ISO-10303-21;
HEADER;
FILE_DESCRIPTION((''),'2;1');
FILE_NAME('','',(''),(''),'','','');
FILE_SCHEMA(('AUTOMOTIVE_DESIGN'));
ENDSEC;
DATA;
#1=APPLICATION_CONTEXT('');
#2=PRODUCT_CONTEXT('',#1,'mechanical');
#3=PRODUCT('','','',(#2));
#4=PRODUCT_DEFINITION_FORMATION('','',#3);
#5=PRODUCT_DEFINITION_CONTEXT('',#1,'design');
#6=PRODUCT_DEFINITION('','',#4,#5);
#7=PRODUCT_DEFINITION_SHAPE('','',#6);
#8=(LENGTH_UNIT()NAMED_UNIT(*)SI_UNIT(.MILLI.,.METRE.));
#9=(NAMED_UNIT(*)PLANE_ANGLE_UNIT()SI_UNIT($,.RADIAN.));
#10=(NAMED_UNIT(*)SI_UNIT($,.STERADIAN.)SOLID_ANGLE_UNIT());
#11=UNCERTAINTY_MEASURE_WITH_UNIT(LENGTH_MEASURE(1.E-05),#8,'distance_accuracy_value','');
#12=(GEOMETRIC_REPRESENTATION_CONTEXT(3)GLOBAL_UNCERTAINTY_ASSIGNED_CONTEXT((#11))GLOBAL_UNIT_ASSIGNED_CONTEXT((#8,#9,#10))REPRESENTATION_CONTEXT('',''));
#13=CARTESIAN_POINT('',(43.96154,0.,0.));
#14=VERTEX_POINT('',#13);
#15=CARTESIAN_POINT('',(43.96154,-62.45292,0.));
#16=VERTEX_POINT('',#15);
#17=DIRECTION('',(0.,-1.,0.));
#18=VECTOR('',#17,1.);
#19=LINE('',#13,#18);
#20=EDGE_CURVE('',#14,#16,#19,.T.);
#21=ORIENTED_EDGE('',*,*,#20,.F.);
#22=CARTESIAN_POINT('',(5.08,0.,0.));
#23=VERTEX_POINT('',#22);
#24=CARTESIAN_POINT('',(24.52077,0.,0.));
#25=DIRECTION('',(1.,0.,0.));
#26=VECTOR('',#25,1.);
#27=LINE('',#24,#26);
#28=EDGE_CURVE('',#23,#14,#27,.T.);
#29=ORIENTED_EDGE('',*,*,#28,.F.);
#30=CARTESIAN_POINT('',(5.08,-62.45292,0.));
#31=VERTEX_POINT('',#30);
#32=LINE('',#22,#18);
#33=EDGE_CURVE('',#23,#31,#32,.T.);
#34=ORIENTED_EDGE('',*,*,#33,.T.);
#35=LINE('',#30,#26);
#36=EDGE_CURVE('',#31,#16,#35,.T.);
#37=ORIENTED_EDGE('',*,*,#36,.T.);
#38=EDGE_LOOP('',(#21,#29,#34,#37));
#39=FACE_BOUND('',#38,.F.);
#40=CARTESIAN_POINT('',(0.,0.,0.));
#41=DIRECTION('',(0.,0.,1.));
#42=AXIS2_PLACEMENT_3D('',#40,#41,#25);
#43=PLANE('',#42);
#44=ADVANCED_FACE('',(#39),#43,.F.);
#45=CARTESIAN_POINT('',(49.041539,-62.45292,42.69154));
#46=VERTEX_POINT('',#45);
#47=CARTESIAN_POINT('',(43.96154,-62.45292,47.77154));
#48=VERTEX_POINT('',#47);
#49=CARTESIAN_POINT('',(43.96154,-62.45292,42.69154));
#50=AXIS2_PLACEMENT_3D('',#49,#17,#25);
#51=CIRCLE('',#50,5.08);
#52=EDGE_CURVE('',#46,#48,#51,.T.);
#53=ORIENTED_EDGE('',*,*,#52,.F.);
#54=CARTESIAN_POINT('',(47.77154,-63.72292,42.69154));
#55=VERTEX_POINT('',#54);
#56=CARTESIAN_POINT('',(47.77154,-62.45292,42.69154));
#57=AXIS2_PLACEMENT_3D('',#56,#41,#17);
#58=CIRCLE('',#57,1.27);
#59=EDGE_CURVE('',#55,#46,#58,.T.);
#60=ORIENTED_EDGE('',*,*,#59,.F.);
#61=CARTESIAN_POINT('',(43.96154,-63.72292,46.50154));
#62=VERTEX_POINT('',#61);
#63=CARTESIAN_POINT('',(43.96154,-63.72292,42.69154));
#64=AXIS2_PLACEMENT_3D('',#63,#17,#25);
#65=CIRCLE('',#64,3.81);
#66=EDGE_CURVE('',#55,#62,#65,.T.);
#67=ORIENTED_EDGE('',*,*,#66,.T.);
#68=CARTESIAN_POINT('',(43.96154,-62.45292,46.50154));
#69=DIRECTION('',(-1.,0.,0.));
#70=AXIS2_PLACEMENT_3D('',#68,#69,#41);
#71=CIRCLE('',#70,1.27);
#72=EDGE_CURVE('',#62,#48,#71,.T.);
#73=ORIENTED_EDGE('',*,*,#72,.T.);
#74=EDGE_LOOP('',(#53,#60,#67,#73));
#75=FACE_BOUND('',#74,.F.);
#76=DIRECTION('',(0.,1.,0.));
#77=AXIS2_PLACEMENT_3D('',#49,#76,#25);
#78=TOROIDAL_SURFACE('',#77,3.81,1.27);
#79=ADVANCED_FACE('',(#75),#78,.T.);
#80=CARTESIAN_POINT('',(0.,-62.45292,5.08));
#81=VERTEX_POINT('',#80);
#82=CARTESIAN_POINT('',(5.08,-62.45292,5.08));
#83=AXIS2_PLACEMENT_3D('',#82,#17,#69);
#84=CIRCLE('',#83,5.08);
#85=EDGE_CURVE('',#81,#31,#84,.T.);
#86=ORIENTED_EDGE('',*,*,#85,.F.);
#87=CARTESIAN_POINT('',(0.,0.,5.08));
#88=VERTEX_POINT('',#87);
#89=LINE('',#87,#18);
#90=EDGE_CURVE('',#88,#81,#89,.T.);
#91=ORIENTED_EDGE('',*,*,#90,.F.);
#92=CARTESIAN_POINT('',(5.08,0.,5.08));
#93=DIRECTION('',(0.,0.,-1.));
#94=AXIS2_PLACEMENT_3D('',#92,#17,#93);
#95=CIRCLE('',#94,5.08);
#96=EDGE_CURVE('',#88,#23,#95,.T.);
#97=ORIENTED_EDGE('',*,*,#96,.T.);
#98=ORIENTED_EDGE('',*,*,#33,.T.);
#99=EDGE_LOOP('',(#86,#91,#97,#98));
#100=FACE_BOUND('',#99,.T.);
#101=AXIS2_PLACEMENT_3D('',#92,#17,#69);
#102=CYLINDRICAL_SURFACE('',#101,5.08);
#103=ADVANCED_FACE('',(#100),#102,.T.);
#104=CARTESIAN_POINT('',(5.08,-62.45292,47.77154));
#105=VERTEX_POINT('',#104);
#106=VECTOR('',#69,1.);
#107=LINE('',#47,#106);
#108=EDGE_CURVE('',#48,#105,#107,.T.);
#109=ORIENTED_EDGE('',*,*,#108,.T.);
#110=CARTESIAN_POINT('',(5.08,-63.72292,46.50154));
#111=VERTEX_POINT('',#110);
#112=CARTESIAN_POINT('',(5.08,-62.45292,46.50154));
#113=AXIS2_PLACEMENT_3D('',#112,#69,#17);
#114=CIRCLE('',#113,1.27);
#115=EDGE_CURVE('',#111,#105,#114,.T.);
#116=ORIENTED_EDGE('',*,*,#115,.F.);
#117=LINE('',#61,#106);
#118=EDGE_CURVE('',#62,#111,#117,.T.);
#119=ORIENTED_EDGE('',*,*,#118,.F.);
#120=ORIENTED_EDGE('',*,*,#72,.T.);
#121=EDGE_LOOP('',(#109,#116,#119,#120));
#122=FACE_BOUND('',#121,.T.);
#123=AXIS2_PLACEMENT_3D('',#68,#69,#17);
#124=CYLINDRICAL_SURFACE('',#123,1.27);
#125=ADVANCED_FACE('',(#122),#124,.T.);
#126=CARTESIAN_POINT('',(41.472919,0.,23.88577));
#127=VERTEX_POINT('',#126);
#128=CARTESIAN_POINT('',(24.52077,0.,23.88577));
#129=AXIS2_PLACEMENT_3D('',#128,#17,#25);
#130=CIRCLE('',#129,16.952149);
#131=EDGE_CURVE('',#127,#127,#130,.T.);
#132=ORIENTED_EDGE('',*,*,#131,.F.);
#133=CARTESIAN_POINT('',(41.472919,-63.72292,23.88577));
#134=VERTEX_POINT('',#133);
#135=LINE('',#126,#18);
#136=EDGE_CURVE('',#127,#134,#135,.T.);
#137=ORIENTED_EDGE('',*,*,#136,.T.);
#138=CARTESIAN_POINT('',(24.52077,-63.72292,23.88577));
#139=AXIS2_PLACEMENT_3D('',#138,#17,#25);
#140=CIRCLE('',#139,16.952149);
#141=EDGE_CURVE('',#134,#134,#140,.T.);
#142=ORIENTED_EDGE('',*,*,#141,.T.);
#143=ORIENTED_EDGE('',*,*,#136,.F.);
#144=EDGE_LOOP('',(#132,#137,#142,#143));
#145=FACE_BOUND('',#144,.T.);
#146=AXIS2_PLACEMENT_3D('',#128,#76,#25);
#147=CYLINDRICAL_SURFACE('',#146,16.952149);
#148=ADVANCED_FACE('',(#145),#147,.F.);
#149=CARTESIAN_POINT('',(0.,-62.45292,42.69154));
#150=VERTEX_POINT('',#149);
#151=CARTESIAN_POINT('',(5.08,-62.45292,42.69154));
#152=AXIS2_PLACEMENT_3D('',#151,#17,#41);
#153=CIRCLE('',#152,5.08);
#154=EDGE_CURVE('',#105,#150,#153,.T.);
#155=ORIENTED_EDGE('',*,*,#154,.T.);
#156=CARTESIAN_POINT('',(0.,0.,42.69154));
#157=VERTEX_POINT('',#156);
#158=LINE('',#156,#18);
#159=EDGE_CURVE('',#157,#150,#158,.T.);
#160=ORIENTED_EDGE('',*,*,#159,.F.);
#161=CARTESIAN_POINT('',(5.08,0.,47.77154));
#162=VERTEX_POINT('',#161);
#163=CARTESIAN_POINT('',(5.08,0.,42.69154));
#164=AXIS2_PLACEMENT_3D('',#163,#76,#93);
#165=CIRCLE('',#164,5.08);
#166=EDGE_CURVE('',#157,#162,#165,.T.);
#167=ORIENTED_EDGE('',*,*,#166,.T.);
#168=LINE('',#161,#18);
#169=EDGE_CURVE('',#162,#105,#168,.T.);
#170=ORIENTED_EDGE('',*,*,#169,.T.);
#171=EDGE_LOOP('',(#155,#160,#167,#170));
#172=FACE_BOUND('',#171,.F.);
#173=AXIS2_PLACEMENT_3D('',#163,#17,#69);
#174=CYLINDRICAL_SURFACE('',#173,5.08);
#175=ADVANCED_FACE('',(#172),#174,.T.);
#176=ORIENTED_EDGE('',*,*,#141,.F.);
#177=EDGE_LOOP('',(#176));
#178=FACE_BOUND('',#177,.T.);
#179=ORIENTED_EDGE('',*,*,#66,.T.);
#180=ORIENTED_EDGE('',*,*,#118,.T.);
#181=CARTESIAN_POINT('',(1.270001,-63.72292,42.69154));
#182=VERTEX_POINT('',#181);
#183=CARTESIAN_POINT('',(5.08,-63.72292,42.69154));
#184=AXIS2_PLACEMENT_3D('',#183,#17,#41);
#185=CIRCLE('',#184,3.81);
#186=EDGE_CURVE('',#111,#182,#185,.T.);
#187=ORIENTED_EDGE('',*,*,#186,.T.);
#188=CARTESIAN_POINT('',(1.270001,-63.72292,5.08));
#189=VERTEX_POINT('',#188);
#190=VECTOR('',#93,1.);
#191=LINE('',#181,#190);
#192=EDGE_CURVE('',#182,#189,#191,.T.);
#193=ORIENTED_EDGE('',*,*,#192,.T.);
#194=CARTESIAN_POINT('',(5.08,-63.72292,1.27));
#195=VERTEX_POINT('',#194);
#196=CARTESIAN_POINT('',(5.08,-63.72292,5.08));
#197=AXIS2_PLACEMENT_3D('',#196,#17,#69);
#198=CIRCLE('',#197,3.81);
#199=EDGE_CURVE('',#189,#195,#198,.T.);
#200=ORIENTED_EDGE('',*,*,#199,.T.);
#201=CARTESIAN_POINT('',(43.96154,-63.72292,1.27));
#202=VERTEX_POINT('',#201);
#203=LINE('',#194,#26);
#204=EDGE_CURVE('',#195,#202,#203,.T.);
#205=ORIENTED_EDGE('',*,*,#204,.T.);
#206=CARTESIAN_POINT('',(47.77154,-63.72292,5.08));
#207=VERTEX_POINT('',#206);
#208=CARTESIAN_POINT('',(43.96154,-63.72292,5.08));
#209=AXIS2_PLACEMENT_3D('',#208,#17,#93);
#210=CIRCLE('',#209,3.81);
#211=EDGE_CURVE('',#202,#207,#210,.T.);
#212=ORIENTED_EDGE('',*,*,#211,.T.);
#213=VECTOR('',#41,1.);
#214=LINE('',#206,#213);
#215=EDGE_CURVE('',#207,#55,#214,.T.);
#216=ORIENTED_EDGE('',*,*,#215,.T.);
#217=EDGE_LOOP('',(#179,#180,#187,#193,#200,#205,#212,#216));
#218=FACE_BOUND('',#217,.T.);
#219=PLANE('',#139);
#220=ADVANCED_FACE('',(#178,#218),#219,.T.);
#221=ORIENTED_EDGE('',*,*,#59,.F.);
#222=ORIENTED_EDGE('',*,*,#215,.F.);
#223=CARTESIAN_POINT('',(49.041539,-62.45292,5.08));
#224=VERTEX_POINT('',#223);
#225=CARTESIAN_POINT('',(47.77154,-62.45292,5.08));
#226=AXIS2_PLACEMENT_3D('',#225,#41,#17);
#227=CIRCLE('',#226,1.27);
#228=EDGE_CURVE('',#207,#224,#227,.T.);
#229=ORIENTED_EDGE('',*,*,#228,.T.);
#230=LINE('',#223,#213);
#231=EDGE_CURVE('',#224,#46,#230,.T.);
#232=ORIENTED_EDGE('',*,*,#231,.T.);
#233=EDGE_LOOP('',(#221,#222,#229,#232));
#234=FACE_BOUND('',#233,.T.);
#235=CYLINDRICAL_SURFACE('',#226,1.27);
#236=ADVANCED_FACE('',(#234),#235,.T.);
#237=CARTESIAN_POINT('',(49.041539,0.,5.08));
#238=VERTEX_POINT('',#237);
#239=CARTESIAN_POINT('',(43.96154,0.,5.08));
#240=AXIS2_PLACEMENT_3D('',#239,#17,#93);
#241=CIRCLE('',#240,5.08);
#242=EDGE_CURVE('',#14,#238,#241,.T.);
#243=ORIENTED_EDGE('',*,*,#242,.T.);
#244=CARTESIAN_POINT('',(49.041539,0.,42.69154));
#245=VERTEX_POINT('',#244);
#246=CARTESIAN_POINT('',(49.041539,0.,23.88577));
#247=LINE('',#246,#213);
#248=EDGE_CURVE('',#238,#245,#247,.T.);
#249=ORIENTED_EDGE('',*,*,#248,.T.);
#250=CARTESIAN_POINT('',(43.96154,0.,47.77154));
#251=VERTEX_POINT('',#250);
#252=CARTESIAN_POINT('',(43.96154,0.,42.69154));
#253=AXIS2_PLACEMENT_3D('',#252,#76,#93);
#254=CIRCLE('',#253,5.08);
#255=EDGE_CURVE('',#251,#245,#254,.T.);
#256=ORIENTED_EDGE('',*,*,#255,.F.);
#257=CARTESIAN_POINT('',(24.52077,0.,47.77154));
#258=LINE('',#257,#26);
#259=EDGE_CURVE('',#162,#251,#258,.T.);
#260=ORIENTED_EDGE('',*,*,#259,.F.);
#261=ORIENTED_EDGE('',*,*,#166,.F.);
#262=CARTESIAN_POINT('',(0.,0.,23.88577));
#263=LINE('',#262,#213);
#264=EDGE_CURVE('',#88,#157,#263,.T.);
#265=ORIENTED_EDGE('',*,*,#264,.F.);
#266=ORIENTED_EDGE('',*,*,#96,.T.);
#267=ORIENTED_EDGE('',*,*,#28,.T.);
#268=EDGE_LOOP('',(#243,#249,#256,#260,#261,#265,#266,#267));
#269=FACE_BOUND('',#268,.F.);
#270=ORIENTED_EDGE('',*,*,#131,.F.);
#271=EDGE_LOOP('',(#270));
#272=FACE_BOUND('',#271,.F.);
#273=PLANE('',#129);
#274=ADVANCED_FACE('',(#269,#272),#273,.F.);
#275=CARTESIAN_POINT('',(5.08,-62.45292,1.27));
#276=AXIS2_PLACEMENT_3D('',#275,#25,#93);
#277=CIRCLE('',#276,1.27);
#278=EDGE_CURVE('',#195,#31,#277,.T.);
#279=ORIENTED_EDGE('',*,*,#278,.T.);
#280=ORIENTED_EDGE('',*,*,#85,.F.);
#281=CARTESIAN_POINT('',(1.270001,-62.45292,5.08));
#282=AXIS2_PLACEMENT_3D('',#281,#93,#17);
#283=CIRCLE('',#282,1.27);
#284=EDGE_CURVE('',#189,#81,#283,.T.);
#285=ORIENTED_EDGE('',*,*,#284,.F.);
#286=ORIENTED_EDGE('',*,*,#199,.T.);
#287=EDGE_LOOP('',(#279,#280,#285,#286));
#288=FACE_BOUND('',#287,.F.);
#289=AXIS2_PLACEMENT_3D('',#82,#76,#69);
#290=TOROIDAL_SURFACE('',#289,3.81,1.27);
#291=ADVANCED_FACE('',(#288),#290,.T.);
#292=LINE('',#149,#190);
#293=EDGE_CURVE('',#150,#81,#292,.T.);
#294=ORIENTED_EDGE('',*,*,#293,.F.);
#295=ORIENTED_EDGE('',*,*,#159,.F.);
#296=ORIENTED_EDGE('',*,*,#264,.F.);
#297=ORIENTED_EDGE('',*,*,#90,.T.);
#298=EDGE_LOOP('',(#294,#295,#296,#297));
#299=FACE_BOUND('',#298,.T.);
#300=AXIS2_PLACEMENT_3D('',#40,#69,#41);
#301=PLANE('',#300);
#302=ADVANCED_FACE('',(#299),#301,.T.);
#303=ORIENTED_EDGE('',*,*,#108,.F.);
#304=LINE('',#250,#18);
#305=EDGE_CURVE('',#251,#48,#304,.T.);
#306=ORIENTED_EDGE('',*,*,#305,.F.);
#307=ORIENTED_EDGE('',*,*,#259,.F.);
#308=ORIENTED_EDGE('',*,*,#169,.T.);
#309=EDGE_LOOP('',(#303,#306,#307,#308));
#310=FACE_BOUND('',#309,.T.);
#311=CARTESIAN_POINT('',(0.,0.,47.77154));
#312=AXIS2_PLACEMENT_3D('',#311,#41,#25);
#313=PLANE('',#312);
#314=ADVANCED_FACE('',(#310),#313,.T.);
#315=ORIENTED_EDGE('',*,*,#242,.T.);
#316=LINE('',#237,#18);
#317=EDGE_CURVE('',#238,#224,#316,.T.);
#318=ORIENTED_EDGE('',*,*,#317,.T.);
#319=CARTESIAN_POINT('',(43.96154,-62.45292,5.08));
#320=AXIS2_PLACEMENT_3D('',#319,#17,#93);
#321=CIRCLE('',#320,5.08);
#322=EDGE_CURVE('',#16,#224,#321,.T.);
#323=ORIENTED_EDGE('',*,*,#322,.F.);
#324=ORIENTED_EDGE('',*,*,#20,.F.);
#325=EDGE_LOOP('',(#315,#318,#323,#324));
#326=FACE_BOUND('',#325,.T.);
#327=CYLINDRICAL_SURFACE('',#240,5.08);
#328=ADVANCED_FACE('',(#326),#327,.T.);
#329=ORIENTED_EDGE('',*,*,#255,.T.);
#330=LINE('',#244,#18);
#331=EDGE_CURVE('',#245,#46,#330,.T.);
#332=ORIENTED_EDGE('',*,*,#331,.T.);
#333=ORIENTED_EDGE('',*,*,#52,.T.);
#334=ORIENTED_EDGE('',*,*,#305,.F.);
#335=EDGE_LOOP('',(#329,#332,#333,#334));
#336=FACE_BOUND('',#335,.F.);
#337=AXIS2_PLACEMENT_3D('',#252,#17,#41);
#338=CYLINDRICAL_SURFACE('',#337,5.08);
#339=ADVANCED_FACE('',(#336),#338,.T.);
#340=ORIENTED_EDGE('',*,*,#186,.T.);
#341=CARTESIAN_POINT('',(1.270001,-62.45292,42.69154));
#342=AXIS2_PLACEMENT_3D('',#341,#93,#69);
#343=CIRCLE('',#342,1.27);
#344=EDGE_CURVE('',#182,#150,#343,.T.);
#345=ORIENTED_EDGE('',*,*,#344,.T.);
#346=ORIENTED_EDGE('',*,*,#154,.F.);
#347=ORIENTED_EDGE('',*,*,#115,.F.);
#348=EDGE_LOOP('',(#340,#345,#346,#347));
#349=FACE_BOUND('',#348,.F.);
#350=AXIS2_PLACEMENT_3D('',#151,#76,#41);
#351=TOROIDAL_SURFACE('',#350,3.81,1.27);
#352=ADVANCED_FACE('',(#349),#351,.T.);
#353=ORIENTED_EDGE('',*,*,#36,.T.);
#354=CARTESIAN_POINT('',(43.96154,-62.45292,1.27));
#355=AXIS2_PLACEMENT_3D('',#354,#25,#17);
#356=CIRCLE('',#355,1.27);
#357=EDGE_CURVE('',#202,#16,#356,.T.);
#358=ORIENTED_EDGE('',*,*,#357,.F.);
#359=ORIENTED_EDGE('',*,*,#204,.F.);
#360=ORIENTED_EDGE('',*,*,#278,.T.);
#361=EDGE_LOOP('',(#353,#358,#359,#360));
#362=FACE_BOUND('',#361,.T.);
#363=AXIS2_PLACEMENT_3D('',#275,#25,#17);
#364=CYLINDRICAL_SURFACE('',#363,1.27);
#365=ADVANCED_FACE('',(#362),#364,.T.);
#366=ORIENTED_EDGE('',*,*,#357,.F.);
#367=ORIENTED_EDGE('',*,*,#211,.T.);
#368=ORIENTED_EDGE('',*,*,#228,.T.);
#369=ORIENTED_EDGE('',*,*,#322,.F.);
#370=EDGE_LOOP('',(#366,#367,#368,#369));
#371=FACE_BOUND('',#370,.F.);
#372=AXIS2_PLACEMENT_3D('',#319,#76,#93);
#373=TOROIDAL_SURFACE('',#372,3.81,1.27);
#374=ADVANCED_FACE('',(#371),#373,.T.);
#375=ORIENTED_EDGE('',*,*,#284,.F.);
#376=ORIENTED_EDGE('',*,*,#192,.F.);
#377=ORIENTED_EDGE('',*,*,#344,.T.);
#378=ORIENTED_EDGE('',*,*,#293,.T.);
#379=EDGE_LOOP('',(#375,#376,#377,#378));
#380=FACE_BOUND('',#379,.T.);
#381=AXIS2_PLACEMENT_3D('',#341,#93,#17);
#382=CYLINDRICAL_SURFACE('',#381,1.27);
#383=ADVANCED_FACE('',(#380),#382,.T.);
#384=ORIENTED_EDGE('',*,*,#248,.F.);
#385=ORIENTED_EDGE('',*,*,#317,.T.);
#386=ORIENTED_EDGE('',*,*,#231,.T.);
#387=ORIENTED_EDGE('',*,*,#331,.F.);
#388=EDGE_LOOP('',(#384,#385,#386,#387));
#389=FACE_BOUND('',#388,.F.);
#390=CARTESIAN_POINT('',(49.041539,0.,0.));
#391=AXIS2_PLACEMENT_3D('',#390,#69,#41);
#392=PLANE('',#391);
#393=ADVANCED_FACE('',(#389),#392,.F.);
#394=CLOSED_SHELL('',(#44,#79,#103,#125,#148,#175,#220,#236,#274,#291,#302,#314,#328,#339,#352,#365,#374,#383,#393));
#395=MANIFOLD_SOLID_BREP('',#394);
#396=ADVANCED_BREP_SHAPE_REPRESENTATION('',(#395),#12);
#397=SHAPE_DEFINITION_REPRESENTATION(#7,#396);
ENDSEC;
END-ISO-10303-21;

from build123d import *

# Parameters (mm, degrees)
F0_W     = 49.041539
F0_H     = 47.77154
F0_R     = 16.952149
F1_DEPTH = 63.72292
F2_R     = 5.08
F3_R     = 1.27


with BuildPart() as f1:
    # F0 (on Front) → F1 (new body)
    with BuildSketch(Plane.XZ):
        with Locations((24.52077, 23.88577)):
            Rectangle(F0_W, F0_H)
        with Locations((24.52077, 23.88577)):
            Circle(F0_R, mode=Mode.SUBTRACT)
    extrude(amount=F1_DEPTH)

    # F2
    f2_edges = [f1.edges().sort_by_distance(p)[0] for p in [
        (49.041539, -31.86146, 47.77154),
        (0, -31.86146, 47.77154),
        (49.041539, -31.86146, 0),
        (0, -31.86146, 0),
    ]]
    fillet(f2_edges, radius=F2_R)

    # F3
    f3_edges = [f1.edges().sort_by_distance(p)[0] for p in [
        (49.041539, -63.72292, 23.88577),
    ]]
    fillet(f3_edges, radius=F3_R)


solid = f1.part
